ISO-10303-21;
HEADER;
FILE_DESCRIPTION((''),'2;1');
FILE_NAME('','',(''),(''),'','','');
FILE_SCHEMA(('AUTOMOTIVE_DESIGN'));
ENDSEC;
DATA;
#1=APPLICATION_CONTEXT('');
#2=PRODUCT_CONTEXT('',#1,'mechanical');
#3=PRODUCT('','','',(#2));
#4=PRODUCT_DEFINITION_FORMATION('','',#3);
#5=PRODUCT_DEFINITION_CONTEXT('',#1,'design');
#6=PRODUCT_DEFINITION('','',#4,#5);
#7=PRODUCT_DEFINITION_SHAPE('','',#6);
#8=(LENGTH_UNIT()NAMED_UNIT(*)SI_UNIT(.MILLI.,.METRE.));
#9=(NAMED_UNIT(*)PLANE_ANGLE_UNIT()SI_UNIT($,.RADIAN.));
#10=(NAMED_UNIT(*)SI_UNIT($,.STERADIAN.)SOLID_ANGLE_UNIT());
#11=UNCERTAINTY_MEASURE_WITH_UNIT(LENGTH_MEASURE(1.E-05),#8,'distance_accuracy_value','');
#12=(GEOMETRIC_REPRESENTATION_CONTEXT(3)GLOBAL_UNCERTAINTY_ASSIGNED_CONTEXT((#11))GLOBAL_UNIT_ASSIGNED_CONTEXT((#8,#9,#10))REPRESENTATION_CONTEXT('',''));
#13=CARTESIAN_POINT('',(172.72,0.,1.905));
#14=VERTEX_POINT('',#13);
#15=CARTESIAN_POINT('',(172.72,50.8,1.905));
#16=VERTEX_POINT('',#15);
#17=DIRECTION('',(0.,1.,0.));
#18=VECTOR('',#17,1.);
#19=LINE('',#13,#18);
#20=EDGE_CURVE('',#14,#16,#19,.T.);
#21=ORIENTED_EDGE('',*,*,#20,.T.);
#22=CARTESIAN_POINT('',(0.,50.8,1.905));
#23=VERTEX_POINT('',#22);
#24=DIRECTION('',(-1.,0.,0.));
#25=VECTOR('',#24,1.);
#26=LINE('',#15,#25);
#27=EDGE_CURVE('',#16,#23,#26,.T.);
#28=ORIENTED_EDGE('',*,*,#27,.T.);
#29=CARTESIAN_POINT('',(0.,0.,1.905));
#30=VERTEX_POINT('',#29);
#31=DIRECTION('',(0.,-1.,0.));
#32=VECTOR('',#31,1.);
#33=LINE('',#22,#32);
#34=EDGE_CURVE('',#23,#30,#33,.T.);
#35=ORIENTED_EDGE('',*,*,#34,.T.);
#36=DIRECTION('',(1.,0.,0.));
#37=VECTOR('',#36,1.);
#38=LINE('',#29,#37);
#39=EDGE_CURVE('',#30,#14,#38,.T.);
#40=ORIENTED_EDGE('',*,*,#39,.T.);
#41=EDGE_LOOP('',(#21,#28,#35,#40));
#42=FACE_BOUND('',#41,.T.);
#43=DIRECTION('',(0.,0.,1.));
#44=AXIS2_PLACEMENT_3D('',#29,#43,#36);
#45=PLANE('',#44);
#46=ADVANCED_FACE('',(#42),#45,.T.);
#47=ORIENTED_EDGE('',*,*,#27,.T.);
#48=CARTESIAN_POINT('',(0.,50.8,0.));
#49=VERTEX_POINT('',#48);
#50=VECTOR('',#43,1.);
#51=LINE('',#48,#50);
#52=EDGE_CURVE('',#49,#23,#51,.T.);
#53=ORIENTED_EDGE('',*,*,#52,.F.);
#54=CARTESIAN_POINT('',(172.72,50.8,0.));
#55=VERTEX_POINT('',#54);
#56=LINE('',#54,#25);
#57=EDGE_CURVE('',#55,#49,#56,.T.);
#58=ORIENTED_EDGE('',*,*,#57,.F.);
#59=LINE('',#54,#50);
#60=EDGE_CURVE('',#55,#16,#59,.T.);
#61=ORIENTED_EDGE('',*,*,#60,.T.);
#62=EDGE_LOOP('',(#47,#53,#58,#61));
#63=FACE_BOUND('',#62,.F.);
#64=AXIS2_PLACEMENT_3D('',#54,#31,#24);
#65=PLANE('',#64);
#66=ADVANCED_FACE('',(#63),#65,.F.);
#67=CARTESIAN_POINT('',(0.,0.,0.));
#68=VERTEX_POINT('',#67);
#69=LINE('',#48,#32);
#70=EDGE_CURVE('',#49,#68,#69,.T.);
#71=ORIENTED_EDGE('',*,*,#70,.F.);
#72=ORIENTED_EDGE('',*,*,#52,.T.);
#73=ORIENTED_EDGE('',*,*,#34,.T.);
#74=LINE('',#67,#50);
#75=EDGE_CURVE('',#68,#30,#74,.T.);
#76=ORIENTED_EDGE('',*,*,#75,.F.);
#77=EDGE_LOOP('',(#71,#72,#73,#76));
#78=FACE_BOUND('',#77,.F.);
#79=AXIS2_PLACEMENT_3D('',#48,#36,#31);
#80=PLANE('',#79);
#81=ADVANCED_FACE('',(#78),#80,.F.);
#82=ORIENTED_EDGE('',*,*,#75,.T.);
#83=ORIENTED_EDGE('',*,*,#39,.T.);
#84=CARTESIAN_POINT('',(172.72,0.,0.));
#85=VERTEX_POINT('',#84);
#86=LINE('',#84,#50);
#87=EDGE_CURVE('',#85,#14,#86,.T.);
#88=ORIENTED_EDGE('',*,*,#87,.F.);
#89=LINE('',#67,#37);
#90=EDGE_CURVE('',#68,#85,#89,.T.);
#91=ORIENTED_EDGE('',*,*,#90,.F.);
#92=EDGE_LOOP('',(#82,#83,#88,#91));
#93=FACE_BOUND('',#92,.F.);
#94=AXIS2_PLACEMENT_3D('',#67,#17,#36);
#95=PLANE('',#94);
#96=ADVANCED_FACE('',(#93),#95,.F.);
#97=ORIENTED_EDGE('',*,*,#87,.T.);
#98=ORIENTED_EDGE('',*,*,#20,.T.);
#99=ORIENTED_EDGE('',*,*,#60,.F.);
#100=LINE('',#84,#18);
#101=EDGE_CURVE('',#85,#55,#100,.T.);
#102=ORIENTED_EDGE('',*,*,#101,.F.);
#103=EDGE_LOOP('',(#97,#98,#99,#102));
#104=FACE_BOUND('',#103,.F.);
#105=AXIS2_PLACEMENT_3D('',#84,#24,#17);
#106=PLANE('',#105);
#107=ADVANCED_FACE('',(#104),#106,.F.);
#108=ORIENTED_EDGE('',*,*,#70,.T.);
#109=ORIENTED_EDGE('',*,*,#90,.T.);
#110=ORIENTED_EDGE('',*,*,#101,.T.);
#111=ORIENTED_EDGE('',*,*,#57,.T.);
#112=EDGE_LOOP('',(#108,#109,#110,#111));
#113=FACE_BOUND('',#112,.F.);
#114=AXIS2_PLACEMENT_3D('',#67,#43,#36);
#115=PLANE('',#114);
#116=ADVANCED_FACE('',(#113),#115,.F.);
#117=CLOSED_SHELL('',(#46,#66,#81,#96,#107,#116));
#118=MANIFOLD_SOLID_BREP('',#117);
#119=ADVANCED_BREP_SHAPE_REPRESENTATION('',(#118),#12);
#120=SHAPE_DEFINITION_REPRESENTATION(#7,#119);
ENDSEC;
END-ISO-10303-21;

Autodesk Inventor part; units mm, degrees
ref_plane "YZ Plane" through (0, 0, 0) normal (1, 0, 0) x (0, 1, 0)
ref_plane "XZ Plane" through (0, 0, 0) normal (0, 1, 0) x (-1, 0, 0)
ref_plane "XY Plane" through (0, 0, 0) normal (0, 0, 1) x (1, 0, 0)
sketch "Náčrt1" plane through (0, 0, 0) normal (0, 0, 1) x (1, 0, 0)
  line L0 (0, 0) -> (172.72, 0)
  line L1 (172.72, 0) -> (172.72, 50.8)
  line L2 (172.72, 50.8) -> (0, 50.8)
  line L3 (0, 50.8) -> (0, 0)
extrude "Vysunutí1" add sketch "Náčrt1" along normal blind 1.905
properties part number "NavCom_PCB"
